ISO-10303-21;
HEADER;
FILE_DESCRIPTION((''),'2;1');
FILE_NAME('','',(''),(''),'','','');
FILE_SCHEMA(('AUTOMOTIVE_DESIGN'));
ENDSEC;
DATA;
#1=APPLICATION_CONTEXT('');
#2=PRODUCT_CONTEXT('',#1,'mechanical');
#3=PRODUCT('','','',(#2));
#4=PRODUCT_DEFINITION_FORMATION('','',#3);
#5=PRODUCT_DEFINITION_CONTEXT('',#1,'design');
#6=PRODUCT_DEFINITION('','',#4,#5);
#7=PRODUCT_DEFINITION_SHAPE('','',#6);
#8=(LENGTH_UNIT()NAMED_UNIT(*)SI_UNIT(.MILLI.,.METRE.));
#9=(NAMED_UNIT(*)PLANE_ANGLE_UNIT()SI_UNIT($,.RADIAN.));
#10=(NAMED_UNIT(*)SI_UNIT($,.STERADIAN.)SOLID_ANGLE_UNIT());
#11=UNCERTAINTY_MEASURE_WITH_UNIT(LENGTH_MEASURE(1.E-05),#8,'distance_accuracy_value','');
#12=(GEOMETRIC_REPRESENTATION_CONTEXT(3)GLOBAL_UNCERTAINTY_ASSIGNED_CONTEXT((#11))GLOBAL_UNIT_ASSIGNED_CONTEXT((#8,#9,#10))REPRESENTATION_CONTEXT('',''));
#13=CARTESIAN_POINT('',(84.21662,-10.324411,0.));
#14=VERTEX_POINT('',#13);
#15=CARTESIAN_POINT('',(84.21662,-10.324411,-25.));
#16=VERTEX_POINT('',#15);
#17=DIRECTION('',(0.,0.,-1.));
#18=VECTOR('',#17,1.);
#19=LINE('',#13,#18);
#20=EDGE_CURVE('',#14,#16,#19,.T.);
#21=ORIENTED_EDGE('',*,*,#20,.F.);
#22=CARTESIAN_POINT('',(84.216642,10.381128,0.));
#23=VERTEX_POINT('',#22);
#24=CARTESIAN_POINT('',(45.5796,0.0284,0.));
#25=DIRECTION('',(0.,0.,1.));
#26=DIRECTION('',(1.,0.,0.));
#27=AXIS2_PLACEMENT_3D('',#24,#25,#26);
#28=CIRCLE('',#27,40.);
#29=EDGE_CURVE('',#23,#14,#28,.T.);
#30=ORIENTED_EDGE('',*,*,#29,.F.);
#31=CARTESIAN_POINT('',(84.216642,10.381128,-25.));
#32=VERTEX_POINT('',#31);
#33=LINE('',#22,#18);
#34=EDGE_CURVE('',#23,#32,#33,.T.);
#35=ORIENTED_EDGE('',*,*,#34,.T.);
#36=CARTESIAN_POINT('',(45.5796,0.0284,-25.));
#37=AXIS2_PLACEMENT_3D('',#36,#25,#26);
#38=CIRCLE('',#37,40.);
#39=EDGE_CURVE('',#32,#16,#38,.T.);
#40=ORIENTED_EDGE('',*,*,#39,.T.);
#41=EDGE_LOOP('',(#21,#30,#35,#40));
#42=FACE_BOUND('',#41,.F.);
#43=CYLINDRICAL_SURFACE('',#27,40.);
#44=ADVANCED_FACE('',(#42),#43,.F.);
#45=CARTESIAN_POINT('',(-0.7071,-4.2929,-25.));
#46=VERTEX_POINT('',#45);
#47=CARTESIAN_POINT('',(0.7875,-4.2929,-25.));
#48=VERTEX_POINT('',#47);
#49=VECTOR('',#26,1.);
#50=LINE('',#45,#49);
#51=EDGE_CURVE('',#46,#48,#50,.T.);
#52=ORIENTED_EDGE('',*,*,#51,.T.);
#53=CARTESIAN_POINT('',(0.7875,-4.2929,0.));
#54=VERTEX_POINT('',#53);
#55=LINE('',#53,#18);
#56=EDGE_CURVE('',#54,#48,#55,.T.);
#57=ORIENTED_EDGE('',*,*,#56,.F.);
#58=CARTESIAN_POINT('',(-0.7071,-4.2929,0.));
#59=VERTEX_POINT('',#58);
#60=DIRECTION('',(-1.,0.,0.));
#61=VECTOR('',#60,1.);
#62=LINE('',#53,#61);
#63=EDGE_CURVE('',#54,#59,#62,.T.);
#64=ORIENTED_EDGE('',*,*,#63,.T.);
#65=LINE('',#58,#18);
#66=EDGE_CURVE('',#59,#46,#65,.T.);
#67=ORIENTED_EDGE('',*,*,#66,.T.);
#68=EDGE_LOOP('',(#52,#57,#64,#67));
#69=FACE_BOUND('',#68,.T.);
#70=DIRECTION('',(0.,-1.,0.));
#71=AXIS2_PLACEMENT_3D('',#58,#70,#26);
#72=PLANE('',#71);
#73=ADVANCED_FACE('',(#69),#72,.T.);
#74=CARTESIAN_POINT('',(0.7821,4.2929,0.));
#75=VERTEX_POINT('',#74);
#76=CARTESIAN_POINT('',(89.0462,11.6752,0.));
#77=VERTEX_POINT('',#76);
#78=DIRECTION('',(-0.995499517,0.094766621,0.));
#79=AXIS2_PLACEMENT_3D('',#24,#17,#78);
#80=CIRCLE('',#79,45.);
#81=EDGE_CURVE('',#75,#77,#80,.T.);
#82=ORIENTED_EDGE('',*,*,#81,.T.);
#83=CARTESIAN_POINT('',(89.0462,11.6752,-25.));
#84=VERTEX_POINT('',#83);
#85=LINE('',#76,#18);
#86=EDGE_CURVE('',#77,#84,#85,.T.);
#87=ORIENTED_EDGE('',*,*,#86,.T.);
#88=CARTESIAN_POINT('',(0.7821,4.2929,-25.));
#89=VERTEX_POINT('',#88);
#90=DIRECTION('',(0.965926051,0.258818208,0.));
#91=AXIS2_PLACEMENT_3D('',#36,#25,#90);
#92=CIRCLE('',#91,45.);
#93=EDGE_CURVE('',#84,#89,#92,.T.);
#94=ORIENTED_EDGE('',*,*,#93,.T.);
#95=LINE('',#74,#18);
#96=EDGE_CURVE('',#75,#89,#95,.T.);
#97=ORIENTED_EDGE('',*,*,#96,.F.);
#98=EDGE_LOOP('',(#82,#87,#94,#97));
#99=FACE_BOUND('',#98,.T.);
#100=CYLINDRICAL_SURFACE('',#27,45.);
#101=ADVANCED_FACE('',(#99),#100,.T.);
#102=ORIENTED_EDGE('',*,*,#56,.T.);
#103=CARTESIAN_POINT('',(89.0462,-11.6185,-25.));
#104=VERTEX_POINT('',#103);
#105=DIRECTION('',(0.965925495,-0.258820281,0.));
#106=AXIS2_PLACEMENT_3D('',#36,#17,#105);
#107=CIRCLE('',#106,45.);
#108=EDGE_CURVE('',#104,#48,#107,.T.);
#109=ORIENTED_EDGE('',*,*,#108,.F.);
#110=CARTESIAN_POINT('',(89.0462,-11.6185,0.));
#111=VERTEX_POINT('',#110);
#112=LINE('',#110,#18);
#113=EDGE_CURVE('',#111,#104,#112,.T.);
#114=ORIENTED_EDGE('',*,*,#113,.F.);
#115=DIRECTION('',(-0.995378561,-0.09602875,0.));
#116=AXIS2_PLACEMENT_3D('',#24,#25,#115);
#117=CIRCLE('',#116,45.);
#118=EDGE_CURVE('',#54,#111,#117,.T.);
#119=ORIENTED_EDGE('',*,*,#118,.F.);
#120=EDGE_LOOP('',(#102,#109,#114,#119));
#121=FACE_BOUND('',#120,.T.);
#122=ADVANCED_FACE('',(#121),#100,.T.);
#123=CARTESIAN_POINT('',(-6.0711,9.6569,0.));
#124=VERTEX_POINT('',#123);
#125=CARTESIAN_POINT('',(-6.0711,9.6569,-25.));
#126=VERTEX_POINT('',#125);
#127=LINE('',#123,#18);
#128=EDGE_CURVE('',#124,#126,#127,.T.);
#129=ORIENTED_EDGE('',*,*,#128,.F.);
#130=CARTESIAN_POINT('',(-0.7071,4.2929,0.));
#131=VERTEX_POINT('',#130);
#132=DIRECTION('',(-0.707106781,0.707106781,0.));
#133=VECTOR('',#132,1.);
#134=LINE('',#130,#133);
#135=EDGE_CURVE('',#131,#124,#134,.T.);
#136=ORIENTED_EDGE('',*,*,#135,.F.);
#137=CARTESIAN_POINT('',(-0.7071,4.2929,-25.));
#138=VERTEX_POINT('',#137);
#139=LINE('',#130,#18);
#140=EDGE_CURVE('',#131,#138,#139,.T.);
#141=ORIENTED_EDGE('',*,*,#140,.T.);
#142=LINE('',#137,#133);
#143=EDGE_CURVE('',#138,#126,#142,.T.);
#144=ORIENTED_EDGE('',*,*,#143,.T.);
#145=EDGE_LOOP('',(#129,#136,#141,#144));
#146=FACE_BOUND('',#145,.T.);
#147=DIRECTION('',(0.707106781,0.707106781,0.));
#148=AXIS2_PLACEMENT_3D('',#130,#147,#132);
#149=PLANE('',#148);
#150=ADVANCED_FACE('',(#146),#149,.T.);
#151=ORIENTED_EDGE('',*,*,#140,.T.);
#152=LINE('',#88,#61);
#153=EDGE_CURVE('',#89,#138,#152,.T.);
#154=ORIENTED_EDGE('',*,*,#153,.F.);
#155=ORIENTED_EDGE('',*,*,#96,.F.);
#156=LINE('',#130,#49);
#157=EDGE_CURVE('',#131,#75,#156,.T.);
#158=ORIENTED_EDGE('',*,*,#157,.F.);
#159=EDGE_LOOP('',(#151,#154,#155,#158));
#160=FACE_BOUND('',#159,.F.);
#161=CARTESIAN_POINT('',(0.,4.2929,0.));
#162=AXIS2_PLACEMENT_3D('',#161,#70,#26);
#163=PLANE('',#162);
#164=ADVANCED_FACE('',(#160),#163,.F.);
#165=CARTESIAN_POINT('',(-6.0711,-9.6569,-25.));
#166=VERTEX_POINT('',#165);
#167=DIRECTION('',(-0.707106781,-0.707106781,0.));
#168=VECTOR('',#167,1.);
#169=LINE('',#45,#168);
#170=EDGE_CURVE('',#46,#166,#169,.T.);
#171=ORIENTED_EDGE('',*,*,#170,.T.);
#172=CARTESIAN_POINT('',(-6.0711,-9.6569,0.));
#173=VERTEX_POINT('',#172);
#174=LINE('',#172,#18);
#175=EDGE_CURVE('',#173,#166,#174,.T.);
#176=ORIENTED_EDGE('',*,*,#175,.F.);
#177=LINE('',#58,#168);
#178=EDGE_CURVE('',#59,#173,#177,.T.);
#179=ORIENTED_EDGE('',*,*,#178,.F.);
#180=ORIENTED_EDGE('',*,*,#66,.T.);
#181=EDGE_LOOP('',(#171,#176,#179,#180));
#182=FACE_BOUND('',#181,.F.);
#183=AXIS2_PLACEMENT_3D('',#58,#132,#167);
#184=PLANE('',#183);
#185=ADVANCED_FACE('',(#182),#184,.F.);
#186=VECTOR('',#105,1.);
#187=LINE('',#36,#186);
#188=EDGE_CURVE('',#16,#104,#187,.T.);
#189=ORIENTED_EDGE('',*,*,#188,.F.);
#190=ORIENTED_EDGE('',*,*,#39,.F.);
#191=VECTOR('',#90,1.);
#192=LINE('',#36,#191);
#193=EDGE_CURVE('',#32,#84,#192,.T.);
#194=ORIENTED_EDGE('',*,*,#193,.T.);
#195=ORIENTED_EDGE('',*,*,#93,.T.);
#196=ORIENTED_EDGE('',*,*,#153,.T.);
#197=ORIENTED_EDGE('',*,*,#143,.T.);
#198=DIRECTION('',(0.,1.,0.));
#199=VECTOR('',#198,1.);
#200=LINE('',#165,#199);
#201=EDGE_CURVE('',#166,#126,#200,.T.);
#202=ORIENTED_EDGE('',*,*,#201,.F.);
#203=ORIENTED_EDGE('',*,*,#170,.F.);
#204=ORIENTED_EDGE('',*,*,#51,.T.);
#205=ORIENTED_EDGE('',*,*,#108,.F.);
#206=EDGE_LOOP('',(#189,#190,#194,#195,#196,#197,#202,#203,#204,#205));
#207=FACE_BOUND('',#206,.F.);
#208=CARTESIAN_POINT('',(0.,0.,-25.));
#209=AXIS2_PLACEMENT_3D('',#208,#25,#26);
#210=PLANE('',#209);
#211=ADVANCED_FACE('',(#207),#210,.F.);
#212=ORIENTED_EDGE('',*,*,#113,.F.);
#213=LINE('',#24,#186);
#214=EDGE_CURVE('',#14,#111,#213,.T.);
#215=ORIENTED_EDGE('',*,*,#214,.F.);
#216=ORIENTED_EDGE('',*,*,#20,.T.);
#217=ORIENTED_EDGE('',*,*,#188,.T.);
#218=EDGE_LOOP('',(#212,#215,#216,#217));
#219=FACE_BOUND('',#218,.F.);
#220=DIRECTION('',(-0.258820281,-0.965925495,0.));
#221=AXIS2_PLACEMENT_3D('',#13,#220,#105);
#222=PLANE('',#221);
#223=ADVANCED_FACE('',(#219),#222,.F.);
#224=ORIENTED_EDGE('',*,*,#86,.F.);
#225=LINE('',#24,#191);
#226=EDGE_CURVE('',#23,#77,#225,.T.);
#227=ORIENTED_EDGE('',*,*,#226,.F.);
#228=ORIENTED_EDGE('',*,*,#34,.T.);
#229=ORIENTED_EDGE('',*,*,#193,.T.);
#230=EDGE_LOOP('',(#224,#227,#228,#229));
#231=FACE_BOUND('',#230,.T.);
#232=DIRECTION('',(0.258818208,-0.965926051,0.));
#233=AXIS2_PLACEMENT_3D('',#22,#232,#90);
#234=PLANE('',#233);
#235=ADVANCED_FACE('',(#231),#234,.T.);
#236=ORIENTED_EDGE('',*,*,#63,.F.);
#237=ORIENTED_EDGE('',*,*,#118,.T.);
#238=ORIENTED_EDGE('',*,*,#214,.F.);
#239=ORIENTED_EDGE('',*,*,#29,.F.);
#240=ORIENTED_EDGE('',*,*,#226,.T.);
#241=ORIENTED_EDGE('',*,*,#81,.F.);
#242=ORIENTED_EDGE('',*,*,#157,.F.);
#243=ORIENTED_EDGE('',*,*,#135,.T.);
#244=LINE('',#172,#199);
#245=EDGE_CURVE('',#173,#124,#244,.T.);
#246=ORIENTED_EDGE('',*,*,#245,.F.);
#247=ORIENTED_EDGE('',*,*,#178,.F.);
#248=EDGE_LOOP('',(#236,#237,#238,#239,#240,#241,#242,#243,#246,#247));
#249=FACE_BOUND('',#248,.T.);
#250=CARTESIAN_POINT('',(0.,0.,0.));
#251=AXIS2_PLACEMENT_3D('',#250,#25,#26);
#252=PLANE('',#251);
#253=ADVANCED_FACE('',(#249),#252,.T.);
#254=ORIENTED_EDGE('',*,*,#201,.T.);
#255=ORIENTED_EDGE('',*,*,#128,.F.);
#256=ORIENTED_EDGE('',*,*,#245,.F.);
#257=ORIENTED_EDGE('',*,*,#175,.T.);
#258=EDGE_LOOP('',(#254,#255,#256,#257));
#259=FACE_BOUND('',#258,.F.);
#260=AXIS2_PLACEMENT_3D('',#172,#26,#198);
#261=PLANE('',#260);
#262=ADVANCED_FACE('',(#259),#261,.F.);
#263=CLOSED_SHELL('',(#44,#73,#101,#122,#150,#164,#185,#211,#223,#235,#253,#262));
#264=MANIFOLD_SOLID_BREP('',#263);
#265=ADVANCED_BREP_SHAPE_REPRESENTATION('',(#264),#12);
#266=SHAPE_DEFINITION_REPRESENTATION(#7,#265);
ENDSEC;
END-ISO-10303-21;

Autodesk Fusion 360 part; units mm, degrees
sketch "Sketch1" plane through (0, 0, 0) normal (0, 0, 1) x (1, 0, 0)
  line L0 (0, 0) -> (0, -5)
  line L1 (0, 0) -> (0, 5)
  line L2 (0, 5) -> (-7.0711, 12.0711)
  line L3 (0, -5) -> (-7.0711, -12.0711)
  line L4 (-7.0711, -12.0711) -> (-7.0711, 12.0711)
  circle A0 centre (45.5796, 0.0284) radius 40
  circle A1 centre (45.5796, 0.0284) radius 45
  line L5 (0, 5) -> (0.855, 5)
  line L6 (0, -5) -> (0.8614, -5)
  line L7 (-0.7071, -4.2929) -> (-6.0711, -9.6569)
  line L8 (-6.0711, -9.6569) -> (-6.0711, 9.6569)
  line L9 (-0.7071, 4.2929) -> (-6.0711, 9.6569)
  line L10 (-0.7071, 4.2929) -> (0.7821, 4.2929)
  line L11 (-0.7071, -4.2929) -> (0.7875, -4.2929)
  line L12 (45.5796, 0.0284) -> (97, 0.0284) construction
  line L13 (45.5796, 0.0284) -> (89.0462, -11.6185)
  line L14 (45.5796, 0.0284) -> (89.0462, 11.6752)
  dimension "d1" = 5
  dimension "d2" = 10
  dimension "d3" = 10
  dimension "d4" = 80
  dimension "d5" = 5
  dimension "d6" = 1
  dimension "d11" = 15
  dimension "d12" = 15
extrude "Extrude3" add sketch "Sketch1" against normal blind 15 contours A0 A1 L13 L14 picked at (87.9713, -8.774) makes body 1
extrude "Extrude1" add sketch "Sketch1" against normal blind 25 separate body contours L0 L1 A1 L10 L11 | L0 L1 L7 L8 L9 L10 L11 makes body 2
combine "Combine1" operation cut target body 2 tool bodies 1
extrude "Extrude4" add sketch "Sketch1" against normal blind 25 contours A0 A1 L13 L14 picked at (3.1611, -8.3994) bodies 2
